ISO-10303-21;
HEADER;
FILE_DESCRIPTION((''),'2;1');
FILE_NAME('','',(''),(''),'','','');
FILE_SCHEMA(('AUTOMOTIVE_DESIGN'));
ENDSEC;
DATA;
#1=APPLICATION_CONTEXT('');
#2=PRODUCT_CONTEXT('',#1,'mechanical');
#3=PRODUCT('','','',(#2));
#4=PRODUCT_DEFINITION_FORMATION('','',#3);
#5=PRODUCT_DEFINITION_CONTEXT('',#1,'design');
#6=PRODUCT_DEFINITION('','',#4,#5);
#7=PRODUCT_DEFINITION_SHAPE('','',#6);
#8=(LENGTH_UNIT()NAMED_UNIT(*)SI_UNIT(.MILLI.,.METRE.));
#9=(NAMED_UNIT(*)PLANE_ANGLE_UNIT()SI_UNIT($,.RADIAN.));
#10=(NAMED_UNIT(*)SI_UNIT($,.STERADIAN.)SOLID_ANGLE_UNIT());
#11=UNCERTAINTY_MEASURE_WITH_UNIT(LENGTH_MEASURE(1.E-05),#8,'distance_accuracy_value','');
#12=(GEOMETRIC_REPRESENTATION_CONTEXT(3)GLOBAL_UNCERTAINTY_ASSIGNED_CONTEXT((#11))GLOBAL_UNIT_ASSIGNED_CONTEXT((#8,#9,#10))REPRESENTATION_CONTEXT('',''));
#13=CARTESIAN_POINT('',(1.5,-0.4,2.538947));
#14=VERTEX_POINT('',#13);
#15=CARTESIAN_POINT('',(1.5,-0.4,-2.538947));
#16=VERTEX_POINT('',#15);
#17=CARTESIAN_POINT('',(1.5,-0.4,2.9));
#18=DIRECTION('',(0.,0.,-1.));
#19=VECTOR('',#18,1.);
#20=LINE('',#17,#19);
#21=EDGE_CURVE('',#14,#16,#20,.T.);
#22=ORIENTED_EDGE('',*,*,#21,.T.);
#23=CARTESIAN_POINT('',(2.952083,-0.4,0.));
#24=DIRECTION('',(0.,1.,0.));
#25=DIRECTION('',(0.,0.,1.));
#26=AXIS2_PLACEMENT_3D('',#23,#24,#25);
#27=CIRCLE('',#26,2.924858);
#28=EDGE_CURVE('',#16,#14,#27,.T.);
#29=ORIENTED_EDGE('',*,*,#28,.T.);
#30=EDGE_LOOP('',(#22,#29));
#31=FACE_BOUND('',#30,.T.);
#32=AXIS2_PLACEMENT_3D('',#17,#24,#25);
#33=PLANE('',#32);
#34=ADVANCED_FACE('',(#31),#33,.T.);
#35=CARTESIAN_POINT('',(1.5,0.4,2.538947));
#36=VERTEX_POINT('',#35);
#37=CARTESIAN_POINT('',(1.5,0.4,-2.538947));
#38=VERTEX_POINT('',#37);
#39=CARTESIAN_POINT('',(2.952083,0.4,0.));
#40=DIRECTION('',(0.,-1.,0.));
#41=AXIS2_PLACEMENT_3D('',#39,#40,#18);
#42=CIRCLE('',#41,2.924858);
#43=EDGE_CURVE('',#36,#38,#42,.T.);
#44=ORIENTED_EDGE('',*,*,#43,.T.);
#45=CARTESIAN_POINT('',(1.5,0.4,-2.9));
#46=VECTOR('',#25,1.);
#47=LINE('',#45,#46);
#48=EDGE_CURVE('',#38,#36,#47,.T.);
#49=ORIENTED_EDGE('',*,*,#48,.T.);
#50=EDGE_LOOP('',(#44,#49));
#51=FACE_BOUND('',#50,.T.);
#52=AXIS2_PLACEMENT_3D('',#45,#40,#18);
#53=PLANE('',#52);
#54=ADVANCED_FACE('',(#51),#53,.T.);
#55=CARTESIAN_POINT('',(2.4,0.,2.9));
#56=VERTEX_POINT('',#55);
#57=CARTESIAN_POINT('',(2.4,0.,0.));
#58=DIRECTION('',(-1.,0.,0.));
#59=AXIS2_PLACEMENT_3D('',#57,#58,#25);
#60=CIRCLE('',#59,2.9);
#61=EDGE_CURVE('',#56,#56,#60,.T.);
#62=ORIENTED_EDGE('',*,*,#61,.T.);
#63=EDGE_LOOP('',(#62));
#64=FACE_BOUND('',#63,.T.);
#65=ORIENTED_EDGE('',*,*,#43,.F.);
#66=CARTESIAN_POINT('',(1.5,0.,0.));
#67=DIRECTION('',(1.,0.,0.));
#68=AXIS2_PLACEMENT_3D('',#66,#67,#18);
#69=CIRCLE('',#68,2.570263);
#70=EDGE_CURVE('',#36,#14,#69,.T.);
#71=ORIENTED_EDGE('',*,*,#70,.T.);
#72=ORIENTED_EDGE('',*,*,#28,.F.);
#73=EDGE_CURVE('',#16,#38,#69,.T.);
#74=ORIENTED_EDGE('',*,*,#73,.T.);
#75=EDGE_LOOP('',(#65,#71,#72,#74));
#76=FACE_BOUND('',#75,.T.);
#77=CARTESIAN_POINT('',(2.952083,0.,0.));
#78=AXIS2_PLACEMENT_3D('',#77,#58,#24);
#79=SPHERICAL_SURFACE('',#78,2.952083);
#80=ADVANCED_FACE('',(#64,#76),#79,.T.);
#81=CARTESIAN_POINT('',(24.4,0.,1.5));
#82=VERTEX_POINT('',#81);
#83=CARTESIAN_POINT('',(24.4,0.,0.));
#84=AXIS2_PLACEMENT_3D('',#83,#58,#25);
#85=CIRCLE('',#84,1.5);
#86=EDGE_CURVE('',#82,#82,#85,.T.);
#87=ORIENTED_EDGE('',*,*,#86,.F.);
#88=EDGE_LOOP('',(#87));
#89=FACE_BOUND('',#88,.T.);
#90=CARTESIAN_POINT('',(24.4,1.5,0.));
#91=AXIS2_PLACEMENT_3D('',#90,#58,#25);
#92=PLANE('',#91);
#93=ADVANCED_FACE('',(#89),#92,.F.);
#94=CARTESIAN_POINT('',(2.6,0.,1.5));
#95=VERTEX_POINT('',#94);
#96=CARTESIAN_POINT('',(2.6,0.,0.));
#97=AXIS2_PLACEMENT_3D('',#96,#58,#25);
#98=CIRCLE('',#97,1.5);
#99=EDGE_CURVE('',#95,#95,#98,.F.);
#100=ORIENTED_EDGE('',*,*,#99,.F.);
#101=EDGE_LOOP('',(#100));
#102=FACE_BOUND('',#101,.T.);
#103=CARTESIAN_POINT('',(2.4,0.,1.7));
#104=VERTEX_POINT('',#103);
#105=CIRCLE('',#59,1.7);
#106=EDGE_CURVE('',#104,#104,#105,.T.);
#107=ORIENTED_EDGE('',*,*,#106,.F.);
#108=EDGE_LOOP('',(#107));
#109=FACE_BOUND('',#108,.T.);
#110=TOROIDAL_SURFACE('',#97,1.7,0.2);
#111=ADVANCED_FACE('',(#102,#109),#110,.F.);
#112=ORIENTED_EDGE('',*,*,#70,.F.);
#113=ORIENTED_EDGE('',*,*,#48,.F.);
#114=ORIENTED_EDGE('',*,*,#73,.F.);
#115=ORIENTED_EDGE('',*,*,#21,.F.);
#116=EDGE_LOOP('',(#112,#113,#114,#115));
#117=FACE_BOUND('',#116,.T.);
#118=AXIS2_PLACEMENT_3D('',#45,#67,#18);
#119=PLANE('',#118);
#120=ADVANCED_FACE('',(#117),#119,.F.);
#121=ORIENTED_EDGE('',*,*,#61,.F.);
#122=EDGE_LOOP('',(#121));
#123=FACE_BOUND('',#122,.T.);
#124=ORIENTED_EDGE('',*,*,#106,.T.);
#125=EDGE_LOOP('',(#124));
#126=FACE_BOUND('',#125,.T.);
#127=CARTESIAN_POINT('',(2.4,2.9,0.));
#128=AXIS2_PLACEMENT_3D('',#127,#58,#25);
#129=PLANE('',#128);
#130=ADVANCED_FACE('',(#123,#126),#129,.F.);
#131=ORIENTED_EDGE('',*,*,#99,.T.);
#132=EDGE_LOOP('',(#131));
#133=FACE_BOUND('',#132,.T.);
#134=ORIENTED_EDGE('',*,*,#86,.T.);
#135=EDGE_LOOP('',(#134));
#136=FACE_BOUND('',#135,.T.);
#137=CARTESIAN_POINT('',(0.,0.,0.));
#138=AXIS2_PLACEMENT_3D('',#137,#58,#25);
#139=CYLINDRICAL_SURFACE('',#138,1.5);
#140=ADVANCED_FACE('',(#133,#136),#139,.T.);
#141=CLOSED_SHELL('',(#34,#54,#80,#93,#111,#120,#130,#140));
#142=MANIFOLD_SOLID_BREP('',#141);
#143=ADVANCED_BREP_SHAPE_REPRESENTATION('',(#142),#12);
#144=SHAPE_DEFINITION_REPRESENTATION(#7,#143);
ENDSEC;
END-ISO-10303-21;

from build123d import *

# Parameters (mm, degrees)
SKETCH_2_W          = 5.8
SKETCH_2_H          = 0.8
CUT_EXTRUDE_1_DEPTH = 1.5
FILLET_1_R          = 0.2


with BuildPart() as part:
    # 草图1 → 旋转1 (revolve)
    with BuildSketch(Plane.XY):
        with BuildLine():
            Line((2.4, 2.9), (2.4, 1.5))
            Line((2.4, 1.5), (10.4, 1.5))
            Line((10.4, 1.5), (24.4, 1.5))
            Line((24.4, 1.5), (24.4, 0))
            Line((24.4, 0), (0, 0))
            ThreePointArc((0, 0), (0.677815098, 1.882153022), (2.4, 2.9))
        make_face()
    revolve(axis=Axis((0, 0, 0), (1, 0, 0)))

    # 草图2 → 切除-拉伸1 (cut)
    with BuildSketch(Plane(origin=(0, 0, 0), x_dir=(0, 0, -1), z_dir=(1, 0, 0))):
        Rectangle(SKETCH_2_W, SKETCH_2_H)
    extrude(amount=CUT_EXTRUDE_1_DEPTH, mode=Mode.SUBTRACT)

    # 圆角1
    fillet_1_edges = [part.edges().sort_by_distance(p)[0] for p in [
        (2.4, -1.5, 0),
    ]]
    fillet(fillet_1_edges, radius=FILLET_1_R)


solid = part.part
